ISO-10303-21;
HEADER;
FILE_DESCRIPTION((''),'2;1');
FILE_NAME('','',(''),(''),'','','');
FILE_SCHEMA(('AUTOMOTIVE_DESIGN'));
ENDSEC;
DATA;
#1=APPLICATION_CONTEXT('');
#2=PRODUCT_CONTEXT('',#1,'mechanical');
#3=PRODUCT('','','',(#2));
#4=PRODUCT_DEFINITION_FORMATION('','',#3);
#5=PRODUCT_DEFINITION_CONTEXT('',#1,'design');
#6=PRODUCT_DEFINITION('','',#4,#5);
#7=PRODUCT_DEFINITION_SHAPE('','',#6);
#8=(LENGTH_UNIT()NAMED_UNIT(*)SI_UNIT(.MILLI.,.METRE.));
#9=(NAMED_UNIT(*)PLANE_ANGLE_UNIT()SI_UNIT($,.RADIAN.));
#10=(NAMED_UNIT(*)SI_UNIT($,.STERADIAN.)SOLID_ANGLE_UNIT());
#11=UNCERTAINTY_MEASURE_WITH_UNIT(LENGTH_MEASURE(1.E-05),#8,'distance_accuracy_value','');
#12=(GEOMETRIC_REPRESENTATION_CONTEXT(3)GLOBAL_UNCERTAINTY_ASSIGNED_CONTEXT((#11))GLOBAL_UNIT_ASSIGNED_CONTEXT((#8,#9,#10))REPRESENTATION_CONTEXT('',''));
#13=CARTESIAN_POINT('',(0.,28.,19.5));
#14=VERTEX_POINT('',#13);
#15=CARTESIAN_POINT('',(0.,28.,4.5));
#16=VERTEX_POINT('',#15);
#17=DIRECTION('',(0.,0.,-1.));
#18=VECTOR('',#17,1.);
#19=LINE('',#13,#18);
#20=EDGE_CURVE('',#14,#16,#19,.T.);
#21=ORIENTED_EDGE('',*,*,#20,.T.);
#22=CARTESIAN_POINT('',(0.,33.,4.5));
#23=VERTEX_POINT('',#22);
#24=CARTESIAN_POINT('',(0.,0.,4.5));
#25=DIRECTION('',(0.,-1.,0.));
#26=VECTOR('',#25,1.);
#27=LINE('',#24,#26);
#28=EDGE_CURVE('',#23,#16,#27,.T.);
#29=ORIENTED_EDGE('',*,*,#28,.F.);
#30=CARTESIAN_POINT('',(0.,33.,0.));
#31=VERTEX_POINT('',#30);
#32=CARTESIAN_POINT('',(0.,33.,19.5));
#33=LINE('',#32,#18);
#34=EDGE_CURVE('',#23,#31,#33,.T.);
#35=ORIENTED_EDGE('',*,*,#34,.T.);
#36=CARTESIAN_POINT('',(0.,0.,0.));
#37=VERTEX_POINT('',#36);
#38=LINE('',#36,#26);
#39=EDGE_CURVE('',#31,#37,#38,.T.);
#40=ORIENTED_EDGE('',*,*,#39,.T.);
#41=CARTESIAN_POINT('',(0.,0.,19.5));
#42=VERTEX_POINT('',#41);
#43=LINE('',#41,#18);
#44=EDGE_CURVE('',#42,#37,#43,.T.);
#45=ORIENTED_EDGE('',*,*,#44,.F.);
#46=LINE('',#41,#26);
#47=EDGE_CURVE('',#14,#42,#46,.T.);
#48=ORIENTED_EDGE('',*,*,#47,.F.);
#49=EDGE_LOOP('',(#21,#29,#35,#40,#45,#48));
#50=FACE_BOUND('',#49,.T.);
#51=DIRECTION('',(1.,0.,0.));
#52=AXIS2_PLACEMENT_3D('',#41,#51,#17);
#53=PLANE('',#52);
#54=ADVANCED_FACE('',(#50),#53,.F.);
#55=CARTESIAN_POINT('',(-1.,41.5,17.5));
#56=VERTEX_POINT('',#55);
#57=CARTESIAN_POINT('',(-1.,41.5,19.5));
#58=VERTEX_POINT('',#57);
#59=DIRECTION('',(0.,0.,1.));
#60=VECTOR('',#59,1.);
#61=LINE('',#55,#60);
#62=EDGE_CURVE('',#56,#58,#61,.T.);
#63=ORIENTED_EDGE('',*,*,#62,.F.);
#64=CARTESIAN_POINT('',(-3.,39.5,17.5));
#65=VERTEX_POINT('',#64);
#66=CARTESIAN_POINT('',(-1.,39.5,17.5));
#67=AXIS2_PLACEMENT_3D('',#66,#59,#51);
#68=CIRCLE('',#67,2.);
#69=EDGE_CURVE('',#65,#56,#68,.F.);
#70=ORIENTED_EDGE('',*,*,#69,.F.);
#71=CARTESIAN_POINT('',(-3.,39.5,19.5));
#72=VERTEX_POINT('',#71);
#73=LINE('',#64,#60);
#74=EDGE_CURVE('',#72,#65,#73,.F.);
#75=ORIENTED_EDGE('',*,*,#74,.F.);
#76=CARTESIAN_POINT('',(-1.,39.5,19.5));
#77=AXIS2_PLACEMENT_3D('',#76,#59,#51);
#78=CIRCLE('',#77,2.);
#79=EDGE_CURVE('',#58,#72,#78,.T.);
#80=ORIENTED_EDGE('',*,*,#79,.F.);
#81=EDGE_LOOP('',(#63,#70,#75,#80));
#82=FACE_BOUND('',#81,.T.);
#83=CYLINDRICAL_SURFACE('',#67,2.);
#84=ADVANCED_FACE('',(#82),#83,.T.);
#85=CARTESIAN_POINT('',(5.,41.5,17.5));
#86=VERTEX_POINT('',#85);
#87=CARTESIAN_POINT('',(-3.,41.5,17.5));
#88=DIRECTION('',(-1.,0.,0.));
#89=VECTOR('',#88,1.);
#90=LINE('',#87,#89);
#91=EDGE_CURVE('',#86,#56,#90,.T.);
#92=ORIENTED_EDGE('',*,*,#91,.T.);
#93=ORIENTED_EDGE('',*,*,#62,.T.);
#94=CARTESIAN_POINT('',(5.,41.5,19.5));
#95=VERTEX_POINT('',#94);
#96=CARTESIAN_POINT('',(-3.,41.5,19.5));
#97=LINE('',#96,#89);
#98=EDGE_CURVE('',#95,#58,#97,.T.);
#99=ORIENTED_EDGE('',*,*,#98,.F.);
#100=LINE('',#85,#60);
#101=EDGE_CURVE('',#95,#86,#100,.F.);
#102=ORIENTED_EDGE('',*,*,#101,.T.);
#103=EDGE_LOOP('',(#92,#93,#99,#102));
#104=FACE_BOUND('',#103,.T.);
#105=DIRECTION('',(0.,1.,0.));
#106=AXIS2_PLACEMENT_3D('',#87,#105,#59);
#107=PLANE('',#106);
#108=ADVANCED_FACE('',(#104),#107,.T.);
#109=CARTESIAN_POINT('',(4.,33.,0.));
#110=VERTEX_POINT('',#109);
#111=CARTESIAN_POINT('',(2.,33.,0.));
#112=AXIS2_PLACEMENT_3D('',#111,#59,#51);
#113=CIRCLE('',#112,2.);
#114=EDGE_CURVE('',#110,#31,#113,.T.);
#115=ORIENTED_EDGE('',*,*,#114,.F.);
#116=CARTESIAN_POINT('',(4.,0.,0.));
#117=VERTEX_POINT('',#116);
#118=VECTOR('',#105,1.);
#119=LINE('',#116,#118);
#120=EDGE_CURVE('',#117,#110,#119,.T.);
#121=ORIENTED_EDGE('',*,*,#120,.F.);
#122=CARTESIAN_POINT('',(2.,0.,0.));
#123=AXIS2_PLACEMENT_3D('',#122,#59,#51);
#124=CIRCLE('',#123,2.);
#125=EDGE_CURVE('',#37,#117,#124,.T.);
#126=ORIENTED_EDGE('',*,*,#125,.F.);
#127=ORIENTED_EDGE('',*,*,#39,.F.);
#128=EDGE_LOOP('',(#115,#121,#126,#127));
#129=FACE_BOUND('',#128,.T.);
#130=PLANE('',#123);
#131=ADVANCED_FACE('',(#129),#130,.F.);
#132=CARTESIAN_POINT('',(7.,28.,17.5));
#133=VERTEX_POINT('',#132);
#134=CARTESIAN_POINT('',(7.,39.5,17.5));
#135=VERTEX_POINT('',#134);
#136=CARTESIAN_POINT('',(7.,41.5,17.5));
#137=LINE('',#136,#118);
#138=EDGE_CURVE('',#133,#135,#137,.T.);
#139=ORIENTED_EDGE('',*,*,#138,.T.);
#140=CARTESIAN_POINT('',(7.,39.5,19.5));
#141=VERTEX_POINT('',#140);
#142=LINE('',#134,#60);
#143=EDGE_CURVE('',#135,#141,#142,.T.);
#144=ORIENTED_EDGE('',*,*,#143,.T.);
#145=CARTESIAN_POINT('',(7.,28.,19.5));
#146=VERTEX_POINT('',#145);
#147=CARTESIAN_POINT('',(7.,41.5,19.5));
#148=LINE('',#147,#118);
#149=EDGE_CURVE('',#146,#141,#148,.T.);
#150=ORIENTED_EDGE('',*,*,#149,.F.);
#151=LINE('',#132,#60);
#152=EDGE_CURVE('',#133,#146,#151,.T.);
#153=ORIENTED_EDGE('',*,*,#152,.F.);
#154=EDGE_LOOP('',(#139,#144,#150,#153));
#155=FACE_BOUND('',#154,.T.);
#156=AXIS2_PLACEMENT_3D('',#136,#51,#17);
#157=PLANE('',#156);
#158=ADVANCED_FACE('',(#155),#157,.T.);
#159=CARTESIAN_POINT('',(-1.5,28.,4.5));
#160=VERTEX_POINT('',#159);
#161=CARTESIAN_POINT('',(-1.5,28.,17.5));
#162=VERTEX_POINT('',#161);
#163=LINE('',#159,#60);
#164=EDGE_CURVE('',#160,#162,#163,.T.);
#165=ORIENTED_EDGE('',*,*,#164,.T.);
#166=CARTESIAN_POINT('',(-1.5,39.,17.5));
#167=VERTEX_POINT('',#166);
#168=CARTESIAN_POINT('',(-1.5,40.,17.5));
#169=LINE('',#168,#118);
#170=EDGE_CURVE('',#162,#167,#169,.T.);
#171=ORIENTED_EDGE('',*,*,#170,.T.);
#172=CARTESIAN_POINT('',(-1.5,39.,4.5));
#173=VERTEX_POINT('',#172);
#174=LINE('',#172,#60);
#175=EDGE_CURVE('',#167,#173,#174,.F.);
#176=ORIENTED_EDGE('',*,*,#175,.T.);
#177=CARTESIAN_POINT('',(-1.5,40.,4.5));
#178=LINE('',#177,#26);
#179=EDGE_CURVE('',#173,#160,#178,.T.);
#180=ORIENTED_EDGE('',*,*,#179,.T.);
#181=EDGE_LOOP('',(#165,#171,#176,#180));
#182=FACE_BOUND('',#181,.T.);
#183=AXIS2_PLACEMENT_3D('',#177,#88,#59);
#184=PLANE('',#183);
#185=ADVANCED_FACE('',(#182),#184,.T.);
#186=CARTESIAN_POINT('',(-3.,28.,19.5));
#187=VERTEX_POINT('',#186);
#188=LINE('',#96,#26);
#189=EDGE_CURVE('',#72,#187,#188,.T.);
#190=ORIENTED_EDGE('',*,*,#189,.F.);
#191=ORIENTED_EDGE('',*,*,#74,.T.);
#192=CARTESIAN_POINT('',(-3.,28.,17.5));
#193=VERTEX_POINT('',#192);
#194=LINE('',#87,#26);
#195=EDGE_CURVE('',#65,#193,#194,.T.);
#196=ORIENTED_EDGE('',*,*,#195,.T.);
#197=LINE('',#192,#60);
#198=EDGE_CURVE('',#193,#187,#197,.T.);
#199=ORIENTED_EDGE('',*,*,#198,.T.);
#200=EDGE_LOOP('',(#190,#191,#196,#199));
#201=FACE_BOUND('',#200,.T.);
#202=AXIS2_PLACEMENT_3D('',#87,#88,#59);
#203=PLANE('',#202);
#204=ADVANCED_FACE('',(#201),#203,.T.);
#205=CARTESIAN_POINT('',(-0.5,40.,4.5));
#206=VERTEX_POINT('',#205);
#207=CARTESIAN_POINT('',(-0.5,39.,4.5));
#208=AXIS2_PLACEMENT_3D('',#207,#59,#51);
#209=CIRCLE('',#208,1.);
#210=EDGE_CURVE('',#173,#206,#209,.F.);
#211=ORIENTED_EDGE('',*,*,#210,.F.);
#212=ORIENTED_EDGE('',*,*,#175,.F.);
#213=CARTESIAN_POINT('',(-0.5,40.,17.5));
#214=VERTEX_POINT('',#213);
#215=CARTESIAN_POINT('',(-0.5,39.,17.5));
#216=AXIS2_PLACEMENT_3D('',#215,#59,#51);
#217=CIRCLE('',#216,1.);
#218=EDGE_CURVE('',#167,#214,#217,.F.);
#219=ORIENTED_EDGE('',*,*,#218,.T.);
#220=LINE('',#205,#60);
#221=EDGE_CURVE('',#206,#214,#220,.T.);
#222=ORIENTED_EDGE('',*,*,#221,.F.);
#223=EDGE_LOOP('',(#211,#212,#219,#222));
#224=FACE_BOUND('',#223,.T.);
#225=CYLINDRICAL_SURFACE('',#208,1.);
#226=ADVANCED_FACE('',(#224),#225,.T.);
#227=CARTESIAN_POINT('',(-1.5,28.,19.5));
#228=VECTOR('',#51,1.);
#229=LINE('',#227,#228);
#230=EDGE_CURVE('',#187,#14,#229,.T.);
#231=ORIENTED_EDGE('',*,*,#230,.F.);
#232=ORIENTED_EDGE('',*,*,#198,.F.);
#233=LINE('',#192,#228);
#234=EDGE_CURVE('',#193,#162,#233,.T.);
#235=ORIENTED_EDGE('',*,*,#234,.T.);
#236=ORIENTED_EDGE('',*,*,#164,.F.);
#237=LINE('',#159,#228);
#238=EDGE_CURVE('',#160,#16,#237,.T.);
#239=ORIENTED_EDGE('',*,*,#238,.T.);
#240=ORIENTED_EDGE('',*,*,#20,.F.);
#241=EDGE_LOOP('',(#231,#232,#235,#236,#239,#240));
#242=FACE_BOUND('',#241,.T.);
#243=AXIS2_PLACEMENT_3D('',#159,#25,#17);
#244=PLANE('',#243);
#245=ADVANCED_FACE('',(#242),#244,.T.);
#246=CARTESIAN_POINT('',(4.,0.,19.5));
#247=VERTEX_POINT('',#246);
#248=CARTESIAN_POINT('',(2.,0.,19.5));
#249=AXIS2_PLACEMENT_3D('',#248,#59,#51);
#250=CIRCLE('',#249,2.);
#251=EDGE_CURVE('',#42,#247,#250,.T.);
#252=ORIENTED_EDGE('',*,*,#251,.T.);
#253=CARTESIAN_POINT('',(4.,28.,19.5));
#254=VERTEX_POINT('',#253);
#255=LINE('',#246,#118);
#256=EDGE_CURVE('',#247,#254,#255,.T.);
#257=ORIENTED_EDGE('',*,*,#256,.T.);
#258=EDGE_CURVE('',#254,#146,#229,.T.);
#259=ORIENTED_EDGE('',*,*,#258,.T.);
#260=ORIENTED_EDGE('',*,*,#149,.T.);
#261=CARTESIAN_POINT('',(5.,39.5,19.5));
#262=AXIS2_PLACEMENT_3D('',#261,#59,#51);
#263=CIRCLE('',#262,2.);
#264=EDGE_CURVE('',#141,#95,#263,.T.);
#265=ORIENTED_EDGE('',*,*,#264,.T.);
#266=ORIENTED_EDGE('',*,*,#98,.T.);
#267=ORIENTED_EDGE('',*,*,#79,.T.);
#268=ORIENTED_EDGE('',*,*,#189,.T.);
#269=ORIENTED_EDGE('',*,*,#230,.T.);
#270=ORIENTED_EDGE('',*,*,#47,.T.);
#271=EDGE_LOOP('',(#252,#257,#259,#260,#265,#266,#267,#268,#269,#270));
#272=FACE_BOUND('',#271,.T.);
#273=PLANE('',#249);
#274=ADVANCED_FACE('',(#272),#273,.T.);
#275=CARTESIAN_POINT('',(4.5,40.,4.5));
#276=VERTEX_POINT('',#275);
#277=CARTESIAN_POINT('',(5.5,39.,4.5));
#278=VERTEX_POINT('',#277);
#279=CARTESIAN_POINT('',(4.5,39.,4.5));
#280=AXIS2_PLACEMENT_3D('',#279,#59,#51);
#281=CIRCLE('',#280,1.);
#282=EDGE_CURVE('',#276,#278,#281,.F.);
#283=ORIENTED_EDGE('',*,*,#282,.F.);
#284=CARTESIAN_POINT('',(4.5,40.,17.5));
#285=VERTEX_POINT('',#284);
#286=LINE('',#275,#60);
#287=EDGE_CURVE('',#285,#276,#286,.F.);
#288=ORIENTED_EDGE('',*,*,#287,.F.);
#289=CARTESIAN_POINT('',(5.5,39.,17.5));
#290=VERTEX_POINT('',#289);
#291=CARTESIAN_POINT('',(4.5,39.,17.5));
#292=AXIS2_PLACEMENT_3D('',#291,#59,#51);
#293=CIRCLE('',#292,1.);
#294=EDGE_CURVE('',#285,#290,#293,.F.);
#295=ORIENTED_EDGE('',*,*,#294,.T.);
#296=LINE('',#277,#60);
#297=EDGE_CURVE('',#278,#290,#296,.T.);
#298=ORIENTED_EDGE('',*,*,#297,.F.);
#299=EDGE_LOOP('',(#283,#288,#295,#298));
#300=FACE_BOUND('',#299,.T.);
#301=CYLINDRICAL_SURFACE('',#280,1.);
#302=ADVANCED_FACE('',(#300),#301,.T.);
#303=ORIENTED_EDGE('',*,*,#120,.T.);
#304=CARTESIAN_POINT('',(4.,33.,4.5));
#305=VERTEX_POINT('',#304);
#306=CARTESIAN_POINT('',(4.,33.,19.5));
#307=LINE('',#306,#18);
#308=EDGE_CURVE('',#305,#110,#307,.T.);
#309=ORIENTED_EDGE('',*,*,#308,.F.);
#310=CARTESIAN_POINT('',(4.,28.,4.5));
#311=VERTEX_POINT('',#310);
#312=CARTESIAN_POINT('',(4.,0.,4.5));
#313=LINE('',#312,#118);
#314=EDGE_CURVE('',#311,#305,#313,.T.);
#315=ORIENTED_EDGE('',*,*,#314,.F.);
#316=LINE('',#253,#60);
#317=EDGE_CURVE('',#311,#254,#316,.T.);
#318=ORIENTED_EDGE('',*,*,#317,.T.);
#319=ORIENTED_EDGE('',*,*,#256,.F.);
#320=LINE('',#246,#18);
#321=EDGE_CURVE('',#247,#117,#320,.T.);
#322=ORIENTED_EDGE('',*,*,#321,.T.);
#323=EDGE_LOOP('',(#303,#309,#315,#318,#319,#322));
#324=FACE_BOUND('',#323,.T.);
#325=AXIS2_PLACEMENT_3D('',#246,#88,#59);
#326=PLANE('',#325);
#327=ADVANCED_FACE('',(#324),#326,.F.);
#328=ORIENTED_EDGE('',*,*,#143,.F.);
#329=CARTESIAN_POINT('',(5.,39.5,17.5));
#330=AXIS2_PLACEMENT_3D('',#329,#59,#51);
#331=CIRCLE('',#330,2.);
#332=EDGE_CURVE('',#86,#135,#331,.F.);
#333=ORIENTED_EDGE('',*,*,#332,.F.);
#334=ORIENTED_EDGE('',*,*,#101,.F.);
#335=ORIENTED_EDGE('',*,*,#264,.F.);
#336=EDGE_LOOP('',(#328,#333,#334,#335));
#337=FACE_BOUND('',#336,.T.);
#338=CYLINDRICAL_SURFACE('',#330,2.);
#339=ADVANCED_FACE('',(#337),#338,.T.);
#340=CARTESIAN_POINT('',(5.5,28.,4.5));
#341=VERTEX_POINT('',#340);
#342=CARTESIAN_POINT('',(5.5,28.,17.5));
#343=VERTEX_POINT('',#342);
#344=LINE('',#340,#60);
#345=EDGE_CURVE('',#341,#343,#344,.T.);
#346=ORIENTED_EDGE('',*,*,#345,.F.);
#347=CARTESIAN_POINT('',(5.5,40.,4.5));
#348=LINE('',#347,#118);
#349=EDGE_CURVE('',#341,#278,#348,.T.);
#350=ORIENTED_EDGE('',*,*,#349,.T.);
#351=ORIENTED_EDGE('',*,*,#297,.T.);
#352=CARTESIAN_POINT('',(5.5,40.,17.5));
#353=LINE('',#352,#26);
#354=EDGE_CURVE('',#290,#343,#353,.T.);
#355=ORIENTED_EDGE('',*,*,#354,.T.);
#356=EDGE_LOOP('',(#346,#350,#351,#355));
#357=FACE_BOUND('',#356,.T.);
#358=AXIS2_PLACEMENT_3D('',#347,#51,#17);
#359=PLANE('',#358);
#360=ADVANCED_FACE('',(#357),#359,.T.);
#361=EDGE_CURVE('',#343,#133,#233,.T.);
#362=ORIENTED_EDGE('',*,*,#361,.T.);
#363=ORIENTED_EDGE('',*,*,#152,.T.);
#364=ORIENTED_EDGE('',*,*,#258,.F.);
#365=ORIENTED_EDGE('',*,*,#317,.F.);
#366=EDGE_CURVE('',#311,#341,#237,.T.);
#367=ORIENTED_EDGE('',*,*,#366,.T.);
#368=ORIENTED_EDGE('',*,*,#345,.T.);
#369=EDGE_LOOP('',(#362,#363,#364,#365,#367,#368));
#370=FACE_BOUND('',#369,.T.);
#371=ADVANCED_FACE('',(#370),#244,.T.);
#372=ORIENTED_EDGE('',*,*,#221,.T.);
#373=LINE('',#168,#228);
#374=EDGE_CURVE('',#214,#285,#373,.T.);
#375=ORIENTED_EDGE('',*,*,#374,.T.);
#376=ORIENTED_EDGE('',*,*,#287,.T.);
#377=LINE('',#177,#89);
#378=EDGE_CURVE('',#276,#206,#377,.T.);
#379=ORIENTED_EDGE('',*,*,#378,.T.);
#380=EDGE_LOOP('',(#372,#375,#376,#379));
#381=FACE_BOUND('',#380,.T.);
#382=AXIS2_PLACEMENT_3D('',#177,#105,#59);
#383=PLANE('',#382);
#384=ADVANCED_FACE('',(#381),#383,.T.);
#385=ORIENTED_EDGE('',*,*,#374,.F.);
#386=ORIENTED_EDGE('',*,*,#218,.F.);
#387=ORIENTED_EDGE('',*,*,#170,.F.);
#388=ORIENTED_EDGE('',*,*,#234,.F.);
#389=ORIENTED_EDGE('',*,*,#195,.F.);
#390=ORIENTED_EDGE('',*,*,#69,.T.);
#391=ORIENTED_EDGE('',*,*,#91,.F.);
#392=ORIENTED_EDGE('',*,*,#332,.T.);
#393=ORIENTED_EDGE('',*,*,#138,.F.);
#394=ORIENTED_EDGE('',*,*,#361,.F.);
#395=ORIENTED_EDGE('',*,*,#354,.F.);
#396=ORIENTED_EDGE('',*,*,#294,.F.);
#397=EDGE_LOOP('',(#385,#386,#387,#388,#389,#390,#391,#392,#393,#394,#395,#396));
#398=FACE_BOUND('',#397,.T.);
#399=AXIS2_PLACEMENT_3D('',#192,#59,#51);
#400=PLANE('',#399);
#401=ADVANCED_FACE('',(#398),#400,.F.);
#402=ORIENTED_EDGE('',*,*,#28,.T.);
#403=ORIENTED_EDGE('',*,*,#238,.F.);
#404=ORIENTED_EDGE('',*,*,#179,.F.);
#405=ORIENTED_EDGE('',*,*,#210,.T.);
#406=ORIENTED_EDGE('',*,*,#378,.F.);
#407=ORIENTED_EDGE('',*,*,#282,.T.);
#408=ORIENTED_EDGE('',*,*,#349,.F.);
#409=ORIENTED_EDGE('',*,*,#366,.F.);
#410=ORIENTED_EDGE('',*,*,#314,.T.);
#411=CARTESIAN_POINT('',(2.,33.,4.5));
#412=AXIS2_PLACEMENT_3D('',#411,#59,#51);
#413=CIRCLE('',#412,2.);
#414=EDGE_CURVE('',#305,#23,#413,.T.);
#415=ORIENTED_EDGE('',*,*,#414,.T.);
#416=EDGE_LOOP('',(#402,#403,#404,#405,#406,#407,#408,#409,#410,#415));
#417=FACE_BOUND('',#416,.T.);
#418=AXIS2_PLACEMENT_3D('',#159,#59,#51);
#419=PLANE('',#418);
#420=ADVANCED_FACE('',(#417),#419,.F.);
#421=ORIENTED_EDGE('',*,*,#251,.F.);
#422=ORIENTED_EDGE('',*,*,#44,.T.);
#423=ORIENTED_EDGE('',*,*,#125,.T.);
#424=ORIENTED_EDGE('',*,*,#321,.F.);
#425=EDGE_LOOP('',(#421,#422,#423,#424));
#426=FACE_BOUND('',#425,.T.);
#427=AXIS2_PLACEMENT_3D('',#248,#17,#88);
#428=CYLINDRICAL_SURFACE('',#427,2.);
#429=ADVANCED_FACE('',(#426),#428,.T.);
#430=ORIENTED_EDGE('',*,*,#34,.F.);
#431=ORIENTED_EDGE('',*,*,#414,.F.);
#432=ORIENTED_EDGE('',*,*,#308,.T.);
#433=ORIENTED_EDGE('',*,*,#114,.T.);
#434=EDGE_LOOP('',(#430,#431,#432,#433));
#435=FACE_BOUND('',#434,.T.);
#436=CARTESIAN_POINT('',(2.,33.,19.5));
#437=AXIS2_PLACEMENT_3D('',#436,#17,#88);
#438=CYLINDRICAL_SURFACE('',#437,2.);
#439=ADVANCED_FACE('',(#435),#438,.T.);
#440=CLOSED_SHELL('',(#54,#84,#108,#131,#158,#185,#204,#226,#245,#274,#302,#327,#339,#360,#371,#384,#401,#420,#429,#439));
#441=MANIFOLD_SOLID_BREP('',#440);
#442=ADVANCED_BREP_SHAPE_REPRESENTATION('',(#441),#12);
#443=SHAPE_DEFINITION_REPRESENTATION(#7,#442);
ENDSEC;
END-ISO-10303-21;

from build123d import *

# Parameters (mm, degrees)
BASE_EXTRUSION_DEPTH = 19.5
ESQUISSE2_W          = 7
ESQUISSE2_H          = 12
BOSS_EXTRU_1_DEPTH   = 15
CONG_1_R             = 1
ESQUISSE3_W          = 10
ESQUISSE3_H          = 13.5
BOSS_EXTRU_2_DEPTH   = 2
CONG_2_R             = 2


with BuildPart() as part:
    # Esquisse1 → Base-Extrusion (new body)
    with BuildSketch(Plane.XY):
        with BuildLine():
            Line((0, 0), (0, 33))
            ThreePointArc((0, 33), (2, 35), (4, 33))
            Line((4, 33), (4, 0))
            ThreePointArc((4, 0), (2, -2), (0, 0))
        make_face()
    extrude(amount=BASE_EXTRUSION_DEPTH)

    # Esquisse2 → Boss.-Extru.1 (add)
    with BuildSketch(Plane.XY.offset(19.5)):
        with Locations((2, 34)):
            Rectangle(ESQUISSE2_W, ESQUISSE2_H)
    extrude(amount=-BOSS_EXTRU_1_DEPTH)

    # Congé1
    cong_1_edges = [part.edges().sort_by_distance(p)[0] for p in [
        (-1.5, 40, 12),
        (5.5, 40, 12),
    ]]
    fillet(cong_1_edges, radius=CONG_1_R)

    # Esquisse3 → Boss.-Extru.2 (add)
    with BuildSketch(Plane.XY.offset(19.5)):
        with Locations((2, 34.75)):
            Rectangle(ESQUISSE3_W, ESQUISSE3_H)
    extrude(amount=-BOSS_EXTRU_2_DEPTH)

    # Congé2
    cong_2_edges = [part.edges().sort_by_distance(p)[0] for p in [
        (-3, 41.5, 18.5),
        (7, 41.5, 18.5),
    ]]
    fillet(cong_2_edges, radius=CONG_2_R)


solid = part.part
